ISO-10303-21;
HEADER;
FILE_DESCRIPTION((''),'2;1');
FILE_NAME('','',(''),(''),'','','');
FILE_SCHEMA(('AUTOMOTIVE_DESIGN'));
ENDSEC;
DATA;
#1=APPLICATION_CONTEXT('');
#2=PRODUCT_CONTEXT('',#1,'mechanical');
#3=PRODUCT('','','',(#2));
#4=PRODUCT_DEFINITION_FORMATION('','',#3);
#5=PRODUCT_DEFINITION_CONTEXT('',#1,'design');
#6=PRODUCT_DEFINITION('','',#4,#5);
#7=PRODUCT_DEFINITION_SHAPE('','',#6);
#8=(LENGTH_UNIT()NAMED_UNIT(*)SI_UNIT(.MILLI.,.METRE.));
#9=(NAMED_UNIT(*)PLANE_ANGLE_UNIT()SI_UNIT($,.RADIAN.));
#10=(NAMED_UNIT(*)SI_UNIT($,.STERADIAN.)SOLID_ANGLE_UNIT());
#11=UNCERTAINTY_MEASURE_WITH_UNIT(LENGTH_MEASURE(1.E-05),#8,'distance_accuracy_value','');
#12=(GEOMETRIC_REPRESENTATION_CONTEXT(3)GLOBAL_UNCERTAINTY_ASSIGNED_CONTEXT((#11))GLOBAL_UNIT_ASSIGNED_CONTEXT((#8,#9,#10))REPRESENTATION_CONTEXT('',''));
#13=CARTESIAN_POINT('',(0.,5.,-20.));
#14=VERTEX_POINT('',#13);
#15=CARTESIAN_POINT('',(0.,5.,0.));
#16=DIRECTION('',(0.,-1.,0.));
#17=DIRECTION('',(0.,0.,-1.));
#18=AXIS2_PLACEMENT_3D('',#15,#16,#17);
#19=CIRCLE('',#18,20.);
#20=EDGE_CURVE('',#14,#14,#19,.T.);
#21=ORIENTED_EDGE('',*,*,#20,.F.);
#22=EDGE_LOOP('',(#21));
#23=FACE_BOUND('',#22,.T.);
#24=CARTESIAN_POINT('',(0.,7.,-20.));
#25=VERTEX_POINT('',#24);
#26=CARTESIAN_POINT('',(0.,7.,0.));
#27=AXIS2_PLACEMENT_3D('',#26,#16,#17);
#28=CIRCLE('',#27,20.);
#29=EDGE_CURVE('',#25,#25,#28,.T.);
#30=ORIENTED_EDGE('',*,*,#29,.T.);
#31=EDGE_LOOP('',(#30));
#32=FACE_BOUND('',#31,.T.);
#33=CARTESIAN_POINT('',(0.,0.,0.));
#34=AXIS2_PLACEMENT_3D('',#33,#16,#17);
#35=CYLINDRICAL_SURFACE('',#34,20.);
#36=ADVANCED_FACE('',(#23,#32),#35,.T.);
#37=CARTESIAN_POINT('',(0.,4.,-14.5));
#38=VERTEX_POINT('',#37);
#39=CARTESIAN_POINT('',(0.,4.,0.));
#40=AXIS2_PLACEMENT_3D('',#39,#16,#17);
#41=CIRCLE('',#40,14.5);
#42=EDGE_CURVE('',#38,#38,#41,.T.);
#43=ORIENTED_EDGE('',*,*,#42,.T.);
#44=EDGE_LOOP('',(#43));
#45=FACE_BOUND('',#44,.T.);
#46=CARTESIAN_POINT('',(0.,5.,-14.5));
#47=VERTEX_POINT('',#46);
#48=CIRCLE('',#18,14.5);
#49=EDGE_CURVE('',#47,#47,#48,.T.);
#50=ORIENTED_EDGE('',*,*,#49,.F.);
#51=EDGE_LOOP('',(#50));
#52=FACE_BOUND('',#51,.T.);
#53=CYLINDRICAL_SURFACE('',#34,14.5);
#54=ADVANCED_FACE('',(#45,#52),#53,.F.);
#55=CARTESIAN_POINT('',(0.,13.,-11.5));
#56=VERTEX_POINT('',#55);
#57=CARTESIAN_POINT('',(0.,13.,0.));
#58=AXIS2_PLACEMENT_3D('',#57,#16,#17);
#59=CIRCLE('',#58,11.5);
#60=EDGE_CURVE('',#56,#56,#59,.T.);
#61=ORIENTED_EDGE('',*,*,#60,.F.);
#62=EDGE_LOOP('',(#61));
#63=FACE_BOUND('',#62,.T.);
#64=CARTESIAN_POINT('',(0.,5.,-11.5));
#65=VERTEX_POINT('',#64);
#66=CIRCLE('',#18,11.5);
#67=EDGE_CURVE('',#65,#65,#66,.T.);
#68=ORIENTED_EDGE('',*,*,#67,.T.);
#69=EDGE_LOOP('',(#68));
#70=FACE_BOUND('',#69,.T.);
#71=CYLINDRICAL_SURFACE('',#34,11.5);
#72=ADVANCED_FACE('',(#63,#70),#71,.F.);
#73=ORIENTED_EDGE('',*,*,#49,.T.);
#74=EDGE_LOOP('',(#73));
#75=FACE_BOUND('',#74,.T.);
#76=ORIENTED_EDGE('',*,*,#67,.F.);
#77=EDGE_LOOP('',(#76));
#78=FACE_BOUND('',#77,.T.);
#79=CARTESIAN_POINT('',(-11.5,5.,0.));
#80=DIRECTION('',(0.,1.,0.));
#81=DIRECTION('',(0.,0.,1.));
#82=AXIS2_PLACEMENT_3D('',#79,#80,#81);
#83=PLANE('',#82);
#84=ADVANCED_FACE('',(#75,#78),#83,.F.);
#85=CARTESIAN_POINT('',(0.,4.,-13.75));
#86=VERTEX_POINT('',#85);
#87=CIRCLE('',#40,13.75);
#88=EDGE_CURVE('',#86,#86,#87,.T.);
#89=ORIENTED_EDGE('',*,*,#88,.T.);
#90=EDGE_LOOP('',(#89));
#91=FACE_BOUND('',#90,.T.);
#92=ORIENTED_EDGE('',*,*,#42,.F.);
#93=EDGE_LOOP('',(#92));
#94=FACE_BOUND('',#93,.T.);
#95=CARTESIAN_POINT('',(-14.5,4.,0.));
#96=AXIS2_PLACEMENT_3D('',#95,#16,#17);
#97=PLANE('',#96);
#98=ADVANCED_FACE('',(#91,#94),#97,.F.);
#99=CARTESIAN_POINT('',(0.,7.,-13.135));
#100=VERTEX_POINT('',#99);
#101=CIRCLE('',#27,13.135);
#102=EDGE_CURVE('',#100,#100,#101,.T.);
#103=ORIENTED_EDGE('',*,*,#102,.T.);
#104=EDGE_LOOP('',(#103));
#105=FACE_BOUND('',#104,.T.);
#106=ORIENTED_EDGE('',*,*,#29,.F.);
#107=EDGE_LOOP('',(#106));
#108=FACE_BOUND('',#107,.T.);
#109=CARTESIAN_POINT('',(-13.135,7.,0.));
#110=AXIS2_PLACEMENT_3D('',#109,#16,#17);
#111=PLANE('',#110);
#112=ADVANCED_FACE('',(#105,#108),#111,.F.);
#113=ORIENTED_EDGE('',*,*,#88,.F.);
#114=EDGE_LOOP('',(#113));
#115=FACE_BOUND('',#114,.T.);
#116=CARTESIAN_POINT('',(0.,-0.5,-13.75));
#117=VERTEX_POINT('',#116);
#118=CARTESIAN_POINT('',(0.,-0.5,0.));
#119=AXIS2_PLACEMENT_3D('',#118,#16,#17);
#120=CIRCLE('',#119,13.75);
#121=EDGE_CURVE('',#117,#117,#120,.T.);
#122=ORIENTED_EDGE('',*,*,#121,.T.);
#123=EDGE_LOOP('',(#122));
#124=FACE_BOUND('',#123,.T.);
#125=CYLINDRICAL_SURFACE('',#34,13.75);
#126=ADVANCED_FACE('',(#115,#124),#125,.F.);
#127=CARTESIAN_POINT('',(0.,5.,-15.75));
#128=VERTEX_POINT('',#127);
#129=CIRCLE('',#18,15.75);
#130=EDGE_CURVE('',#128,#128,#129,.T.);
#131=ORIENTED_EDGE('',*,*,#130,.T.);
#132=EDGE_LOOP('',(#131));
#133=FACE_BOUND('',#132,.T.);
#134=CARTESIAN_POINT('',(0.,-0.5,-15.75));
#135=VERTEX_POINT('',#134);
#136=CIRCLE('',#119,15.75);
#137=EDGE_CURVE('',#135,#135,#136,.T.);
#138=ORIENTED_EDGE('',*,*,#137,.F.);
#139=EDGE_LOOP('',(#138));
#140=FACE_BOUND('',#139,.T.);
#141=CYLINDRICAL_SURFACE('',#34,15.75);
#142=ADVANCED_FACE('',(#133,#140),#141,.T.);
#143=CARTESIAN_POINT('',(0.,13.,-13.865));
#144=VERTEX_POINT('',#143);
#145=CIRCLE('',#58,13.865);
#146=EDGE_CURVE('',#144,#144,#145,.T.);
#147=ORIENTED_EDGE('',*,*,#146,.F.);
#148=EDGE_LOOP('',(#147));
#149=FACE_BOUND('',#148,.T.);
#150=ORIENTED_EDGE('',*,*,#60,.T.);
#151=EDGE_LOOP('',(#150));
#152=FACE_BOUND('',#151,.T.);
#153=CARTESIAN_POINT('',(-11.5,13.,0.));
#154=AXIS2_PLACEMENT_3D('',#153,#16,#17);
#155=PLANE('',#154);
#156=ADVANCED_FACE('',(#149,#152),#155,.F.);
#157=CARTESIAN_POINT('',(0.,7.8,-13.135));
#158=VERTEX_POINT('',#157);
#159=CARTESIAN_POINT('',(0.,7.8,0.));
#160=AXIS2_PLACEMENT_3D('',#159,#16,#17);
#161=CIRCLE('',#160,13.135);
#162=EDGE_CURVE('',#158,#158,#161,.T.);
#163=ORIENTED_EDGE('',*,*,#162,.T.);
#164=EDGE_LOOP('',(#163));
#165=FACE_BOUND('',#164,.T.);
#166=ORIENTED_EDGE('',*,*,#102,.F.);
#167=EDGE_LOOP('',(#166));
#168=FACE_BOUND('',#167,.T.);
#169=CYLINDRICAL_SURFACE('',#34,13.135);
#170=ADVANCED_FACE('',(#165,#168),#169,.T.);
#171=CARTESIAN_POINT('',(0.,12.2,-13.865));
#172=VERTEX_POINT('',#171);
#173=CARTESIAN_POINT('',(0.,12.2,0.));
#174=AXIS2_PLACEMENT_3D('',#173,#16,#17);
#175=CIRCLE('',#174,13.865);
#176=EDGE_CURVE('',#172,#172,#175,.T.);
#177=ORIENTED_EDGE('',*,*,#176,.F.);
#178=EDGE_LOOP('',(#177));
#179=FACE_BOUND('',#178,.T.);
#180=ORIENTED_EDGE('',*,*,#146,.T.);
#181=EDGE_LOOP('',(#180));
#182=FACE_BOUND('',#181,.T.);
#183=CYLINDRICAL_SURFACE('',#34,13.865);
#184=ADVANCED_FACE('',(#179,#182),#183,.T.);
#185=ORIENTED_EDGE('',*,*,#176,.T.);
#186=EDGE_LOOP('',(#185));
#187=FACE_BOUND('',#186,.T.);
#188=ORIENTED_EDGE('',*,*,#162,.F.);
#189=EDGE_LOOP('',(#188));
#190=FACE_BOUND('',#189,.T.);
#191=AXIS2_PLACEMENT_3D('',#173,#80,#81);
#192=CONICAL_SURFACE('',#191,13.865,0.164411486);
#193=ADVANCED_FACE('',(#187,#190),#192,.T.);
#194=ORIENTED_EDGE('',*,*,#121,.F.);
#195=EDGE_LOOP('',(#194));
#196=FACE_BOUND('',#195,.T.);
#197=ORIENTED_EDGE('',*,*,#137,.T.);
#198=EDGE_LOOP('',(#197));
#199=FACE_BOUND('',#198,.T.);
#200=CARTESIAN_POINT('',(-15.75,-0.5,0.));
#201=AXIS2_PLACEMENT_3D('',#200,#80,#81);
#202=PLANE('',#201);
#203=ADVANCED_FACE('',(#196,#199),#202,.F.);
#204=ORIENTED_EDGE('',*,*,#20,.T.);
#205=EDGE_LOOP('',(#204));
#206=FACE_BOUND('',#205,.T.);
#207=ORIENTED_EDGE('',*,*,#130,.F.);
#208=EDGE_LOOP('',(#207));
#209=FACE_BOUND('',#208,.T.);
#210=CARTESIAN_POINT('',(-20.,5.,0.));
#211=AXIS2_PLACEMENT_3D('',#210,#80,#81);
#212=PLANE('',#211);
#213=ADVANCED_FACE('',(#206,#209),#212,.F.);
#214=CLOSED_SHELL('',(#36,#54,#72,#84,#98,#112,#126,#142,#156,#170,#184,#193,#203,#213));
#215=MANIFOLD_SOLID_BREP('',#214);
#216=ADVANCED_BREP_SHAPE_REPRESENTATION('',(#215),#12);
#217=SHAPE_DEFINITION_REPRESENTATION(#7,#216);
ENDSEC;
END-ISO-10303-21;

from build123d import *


with BuildPart() as part:
    # 草图1 → 旋转1 (revolve)
    with BuildSketch(Plane.XY, mode=Mode.PRIVATE) as revolve_1_sk:
        Polygon((-11.5, 5), (-11.5, 13), (-13.865, 13), (-13.865, 12.2), (-13.135, 7.8), (-13.135, 7), (-20, 7), (-20, 5), (-15.75, 5), (-15.75, -0.5), (-13.75, -0.5), (-13.75, 4), (-14.5, 4), (-14.5, 5), align=None)
    revolve(revolve_1_sk.sketch.rotate(Axis((0, 0, 0), (0, 1, 0)), 270), axis=Axis((0, 0, 0), (0, 1, 0)))  # turned: the seam where the file's is


solid = part.part
